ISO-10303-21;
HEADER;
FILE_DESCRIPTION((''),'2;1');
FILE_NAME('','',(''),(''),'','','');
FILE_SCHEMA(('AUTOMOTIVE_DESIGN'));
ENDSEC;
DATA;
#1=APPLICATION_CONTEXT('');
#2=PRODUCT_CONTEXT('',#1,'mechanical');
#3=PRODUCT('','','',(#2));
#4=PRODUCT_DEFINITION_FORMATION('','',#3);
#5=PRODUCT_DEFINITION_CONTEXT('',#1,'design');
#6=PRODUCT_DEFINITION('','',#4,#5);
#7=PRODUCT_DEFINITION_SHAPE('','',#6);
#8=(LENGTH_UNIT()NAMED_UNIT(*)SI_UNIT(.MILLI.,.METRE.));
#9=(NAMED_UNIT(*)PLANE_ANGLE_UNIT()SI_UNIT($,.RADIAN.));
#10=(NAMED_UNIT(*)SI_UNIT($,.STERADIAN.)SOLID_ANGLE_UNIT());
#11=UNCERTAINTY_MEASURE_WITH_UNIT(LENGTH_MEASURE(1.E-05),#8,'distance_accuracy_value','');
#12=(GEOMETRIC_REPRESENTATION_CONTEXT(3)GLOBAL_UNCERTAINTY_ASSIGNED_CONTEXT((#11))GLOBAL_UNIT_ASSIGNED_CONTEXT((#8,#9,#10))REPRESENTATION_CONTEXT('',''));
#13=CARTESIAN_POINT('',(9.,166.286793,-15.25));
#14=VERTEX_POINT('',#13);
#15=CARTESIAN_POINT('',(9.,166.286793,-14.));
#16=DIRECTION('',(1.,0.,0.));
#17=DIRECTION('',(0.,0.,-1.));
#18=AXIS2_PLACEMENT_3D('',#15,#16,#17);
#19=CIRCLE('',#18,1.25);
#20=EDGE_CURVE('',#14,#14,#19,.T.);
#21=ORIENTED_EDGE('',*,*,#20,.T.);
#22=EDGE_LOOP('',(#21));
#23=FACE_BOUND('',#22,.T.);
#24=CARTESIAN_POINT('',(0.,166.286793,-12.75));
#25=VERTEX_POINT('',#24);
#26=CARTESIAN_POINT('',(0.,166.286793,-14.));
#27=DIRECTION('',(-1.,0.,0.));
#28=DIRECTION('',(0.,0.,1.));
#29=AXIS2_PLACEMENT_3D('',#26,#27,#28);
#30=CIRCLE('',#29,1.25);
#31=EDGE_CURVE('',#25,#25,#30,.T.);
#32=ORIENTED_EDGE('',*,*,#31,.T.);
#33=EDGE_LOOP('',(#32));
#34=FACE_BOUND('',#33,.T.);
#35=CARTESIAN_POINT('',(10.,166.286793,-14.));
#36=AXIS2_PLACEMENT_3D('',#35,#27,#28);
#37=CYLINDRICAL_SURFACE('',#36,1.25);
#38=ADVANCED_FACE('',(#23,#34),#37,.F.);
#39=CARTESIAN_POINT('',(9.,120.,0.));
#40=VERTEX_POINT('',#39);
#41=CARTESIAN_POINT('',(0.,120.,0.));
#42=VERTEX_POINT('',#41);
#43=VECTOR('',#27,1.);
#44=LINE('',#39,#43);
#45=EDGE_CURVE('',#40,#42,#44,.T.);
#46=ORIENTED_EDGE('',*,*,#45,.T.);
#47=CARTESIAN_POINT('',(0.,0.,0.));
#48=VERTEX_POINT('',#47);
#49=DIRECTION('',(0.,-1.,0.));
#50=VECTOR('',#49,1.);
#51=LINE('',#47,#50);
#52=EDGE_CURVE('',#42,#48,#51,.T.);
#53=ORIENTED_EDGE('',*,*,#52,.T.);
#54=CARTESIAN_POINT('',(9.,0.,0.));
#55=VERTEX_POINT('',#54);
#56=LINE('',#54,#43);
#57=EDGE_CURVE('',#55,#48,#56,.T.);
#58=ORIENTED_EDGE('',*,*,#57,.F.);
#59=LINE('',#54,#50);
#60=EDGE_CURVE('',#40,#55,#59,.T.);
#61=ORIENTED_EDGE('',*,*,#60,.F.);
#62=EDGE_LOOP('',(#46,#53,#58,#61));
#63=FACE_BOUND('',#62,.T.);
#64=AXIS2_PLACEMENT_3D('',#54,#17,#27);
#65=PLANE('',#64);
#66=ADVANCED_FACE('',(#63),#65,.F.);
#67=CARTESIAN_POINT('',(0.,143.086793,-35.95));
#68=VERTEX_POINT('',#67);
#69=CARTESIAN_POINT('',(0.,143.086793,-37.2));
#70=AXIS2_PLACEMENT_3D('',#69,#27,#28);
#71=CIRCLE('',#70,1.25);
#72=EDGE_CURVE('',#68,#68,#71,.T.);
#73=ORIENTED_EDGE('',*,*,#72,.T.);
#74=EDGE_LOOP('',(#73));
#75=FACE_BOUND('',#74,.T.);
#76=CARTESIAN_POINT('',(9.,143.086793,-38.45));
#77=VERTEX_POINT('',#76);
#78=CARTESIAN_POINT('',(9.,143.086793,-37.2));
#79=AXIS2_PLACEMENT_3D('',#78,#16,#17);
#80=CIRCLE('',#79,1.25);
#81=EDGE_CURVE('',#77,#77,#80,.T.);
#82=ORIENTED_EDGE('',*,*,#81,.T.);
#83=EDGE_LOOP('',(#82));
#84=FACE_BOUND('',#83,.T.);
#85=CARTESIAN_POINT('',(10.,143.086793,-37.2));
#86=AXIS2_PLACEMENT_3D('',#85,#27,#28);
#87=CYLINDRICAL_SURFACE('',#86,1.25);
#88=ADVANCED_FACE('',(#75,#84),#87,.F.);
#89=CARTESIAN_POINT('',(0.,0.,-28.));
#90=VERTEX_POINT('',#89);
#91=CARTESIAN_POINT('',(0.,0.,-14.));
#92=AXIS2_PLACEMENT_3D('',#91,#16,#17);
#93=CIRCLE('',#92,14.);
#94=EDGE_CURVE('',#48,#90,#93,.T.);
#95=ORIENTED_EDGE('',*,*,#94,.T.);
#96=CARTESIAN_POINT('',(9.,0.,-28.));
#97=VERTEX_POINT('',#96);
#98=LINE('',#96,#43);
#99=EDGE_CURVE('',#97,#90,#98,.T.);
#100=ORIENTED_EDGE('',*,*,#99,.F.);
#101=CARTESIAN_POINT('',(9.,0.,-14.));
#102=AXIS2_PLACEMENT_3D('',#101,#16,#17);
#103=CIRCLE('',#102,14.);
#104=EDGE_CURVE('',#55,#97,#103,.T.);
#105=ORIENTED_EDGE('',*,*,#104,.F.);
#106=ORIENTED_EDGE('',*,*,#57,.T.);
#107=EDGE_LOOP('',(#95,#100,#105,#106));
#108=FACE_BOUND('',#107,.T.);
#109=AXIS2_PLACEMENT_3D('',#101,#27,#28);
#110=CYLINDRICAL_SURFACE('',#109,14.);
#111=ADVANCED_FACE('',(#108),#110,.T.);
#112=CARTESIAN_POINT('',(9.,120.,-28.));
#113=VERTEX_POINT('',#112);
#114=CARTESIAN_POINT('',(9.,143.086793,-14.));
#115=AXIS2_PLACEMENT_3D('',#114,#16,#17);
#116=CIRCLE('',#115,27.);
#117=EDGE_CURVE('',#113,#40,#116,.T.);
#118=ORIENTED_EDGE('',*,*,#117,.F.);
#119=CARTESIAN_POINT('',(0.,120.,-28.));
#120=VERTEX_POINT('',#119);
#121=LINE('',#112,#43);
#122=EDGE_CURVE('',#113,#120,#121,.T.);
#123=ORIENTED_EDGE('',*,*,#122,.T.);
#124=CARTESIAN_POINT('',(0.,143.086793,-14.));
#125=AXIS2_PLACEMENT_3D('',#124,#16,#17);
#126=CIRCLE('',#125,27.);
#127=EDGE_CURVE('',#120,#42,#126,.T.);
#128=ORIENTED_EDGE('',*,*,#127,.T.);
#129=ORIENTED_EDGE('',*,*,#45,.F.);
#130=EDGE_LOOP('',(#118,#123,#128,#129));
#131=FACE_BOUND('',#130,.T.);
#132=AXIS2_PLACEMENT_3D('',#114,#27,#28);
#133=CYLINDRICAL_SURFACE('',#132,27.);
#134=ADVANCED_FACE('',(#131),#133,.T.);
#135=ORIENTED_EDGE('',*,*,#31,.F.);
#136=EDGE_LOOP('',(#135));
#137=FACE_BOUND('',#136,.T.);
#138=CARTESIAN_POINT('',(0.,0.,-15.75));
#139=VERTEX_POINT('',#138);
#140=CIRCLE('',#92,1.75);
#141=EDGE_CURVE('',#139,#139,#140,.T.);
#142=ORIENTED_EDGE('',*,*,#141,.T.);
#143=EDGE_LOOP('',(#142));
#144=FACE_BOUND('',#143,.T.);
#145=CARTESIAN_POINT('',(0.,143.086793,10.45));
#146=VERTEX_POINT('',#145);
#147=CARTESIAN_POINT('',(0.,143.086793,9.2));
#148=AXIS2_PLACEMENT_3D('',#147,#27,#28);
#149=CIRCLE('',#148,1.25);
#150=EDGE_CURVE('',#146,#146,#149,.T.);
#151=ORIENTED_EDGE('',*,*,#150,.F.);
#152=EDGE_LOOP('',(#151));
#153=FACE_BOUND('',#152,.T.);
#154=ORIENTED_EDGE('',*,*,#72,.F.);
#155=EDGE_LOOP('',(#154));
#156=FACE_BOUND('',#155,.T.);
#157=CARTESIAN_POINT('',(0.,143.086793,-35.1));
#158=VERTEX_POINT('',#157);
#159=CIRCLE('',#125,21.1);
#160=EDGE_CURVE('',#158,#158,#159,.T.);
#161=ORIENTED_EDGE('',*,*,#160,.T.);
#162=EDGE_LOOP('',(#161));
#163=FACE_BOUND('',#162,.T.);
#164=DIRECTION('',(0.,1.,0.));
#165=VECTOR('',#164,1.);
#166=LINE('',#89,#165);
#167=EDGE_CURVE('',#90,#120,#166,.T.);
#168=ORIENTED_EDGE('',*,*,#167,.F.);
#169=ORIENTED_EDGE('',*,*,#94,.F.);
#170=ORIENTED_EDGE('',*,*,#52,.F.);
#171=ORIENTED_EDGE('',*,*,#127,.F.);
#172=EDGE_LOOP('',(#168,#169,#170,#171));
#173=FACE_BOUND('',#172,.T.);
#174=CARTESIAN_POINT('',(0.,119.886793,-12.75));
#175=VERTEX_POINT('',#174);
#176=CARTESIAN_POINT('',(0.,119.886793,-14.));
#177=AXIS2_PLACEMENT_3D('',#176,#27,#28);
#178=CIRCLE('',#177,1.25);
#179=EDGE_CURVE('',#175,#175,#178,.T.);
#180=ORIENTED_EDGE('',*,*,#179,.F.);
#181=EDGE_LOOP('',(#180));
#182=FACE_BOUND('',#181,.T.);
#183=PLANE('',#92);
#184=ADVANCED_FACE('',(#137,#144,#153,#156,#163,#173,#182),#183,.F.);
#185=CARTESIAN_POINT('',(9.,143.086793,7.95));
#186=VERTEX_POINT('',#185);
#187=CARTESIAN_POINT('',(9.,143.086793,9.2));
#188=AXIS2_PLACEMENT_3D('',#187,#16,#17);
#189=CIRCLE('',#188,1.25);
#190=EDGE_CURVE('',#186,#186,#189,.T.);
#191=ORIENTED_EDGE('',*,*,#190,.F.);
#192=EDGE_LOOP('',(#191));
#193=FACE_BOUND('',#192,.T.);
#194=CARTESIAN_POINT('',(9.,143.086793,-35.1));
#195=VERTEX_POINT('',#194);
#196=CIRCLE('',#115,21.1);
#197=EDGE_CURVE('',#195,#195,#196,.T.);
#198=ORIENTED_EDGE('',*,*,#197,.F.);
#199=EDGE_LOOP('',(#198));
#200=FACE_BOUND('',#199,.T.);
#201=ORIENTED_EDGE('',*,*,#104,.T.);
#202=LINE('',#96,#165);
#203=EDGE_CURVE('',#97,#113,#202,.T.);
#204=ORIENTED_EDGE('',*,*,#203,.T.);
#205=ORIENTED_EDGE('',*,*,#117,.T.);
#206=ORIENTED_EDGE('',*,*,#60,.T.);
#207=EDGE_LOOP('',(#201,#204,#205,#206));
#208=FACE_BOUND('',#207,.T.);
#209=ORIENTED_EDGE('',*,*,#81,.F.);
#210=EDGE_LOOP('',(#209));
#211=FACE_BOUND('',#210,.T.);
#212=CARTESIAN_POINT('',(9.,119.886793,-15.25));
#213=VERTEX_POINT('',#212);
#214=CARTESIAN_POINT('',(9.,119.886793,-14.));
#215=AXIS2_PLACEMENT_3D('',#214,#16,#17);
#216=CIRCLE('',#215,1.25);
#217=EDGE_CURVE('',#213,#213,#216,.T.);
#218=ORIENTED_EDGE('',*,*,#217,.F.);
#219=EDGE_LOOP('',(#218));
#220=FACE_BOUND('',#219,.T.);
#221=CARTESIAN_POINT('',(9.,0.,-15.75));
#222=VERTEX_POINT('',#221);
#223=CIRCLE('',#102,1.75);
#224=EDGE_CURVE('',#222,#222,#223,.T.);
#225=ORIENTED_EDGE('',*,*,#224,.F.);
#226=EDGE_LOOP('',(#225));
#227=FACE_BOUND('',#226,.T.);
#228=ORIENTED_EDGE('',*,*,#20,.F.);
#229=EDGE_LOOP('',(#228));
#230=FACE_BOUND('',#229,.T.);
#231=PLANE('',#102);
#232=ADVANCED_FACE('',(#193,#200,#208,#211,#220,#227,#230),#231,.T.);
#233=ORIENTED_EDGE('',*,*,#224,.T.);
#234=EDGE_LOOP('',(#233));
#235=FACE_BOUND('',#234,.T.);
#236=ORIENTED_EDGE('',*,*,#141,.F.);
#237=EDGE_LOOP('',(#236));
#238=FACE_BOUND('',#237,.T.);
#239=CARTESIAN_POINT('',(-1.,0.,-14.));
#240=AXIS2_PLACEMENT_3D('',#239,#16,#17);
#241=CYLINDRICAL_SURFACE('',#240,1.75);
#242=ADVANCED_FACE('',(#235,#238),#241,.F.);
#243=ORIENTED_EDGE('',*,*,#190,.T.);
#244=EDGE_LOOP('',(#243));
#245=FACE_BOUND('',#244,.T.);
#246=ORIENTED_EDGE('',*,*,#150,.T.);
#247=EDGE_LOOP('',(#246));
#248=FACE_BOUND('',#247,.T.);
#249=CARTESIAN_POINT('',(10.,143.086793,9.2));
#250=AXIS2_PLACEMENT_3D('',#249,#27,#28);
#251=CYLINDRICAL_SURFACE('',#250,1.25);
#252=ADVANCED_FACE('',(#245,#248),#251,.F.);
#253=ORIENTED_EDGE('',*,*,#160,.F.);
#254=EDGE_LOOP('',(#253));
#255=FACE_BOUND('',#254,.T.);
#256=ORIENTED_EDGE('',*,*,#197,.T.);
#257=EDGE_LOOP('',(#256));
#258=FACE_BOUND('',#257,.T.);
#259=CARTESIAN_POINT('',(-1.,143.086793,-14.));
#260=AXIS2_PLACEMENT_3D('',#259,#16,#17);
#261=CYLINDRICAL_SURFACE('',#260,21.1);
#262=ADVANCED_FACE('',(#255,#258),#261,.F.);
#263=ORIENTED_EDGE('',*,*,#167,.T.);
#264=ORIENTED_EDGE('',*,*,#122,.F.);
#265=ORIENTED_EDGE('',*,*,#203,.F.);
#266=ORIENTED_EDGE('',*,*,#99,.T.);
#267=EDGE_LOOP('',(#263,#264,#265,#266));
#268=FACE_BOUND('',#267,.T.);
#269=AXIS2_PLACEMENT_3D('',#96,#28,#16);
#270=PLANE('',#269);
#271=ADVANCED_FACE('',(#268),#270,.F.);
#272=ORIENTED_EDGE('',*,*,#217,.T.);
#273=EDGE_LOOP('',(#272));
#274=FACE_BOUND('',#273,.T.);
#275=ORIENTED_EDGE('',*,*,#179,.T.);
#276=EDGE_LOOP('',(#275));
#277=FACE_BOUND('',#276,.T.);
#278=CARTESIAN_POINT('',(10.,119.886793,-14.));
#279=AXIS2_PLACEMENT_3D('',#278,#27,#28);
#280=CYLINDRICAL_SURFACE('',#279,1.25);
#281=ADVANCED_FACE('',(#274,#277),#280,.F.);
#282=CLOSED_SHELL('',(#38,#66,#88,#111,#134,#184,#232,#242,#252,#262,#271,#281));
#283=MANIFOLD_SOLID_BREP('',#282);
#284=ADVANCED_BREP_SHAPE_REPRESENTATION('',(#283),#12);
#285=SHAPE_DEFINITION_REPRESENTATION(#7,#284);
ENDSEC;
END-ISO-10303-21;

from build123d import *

# Parameters (mm, degrees)
EXTRUDE_6_DEPTH      = 9
SKETCH_8_R           = 23.25
CUT_EXTRUDE_6_DEPTH  = 7
SKETCH_9_R           = 19.25
CUT_EXTRUDE_7_DEPTH  = 7
SKETCH_13_R          = 23.25
EXTRUDE_9_DEPTH      = 9
SKETCH_14_R          = 21.1
CUT_EXTRUDE_8_DEPTH  = 10
SKETCH_26_R          = 1.75
CUT_EXTRUDE_14_DEPTH = 10
SKETCH_25_R          = 1.25
CUT_EXTRUDE_15_DEPTH = 10


with BuildPart() as part:
    # 草图1 → 凸台-拉伸6 (new body)
    with BuildSketch(Plane(origin=(0, 0, 0), x_dir=(0, 0, -1), z_dir=(1, 0, 0))):
        with BuildLine():
            Line((0, 0), (0, 120))
            ThreePointArc((0, 120), (14, 170.086792761), (28, 120))
            Line((28, 120), (28, 0))
            ThreePointArc((28, 0), (14, -14), (0, 0))
        make_face()
    extrude(amount=EXTRUDE_6_DEPTH)

    # 草图8 → 切除-拉伸6 (cut)
    with BuildSketch(Plane(origin=(9, 0, 0), x_dir=(0, 0, -1), z_dir=(1, 0, 0))):
        with Locations((14, 143.086792761)):
            Circle(SKETCH_8_R)
    extrude(amount=-CUT_EXTRUDE_6_DEPTH, mode=Mode.SUBTRACT)

    # 草图9 → 切除-拉伸7 (cut)
    with BuildSketch(Plane(origin=(2, 0, 0), x_dir=(0, 0, -1), z_dir=(1, 0, 0))):
        with Locations((14, 143.086792761)):
            Circle(SKETCH_9_R)
    extrude(amount=-CUT_EXTRUDE_7_DEPTH, mode=Mode.SUBTRACT)

    # 草图13 → 凸台-拉伸9 (add)
    with BuildSketch(Plane(origin=(9, 0, 0), x_dir=(0, 0, -1), z_dir=(1, 0, 0))):
        with Locations((14, 143.086792761)):
            Circle(SKETCH_13_R)
    extrude(amount=-EXTRUDE_9_DEPTH)

    # 草图14 → 切除-拉伸8 (cut)
    with BuildSketch(Plane(origin=(9, 0, 0), x_dir=(0, 0, -1), z_dir=(1, 0, 0))):
        with Locations((14, 143.086792761)):
            Circle(SKETCH_14_R)
    extrude(amount=-CUT_EXTRUDE_8_DEPTH, mode=Mode.SUBTRACT)

    # 草图26 → 切除-拉伸14 (cut)
    with BuildSketch(Plane(origin=(9, 0, 0), x_dir=(0, 0, -1), z_dir=(1, 0, 0))):
        with Locations((14, 0)):
            Circle(SKETCH_26_R)
    extrude(amount=-CUT_EXTRUDE_14_DEPTH, mode=Mode.SUBTRACT)

    # 草图25 → 切除-拉伸15 (cut)
    with BuildSketch(Plane.ZY):
        with Locations((9.2, 143.086792761)):
            Circle(SKETCH_25_R)
        with Locations((-14, 119.886792761)):
            Circle(SKETCH_25_R)
        with Locations((-37.2, 143.086792761)):
            Circle(SKETCH_25_R)
        with Locations((-14, 166.286792761)):
            Circle(SKETCH_25_R)
    extrude(amount=-CUT_EXTRUDE_15_DEPTH, mode=Mode.SUBTRACT)


solid = part.part
